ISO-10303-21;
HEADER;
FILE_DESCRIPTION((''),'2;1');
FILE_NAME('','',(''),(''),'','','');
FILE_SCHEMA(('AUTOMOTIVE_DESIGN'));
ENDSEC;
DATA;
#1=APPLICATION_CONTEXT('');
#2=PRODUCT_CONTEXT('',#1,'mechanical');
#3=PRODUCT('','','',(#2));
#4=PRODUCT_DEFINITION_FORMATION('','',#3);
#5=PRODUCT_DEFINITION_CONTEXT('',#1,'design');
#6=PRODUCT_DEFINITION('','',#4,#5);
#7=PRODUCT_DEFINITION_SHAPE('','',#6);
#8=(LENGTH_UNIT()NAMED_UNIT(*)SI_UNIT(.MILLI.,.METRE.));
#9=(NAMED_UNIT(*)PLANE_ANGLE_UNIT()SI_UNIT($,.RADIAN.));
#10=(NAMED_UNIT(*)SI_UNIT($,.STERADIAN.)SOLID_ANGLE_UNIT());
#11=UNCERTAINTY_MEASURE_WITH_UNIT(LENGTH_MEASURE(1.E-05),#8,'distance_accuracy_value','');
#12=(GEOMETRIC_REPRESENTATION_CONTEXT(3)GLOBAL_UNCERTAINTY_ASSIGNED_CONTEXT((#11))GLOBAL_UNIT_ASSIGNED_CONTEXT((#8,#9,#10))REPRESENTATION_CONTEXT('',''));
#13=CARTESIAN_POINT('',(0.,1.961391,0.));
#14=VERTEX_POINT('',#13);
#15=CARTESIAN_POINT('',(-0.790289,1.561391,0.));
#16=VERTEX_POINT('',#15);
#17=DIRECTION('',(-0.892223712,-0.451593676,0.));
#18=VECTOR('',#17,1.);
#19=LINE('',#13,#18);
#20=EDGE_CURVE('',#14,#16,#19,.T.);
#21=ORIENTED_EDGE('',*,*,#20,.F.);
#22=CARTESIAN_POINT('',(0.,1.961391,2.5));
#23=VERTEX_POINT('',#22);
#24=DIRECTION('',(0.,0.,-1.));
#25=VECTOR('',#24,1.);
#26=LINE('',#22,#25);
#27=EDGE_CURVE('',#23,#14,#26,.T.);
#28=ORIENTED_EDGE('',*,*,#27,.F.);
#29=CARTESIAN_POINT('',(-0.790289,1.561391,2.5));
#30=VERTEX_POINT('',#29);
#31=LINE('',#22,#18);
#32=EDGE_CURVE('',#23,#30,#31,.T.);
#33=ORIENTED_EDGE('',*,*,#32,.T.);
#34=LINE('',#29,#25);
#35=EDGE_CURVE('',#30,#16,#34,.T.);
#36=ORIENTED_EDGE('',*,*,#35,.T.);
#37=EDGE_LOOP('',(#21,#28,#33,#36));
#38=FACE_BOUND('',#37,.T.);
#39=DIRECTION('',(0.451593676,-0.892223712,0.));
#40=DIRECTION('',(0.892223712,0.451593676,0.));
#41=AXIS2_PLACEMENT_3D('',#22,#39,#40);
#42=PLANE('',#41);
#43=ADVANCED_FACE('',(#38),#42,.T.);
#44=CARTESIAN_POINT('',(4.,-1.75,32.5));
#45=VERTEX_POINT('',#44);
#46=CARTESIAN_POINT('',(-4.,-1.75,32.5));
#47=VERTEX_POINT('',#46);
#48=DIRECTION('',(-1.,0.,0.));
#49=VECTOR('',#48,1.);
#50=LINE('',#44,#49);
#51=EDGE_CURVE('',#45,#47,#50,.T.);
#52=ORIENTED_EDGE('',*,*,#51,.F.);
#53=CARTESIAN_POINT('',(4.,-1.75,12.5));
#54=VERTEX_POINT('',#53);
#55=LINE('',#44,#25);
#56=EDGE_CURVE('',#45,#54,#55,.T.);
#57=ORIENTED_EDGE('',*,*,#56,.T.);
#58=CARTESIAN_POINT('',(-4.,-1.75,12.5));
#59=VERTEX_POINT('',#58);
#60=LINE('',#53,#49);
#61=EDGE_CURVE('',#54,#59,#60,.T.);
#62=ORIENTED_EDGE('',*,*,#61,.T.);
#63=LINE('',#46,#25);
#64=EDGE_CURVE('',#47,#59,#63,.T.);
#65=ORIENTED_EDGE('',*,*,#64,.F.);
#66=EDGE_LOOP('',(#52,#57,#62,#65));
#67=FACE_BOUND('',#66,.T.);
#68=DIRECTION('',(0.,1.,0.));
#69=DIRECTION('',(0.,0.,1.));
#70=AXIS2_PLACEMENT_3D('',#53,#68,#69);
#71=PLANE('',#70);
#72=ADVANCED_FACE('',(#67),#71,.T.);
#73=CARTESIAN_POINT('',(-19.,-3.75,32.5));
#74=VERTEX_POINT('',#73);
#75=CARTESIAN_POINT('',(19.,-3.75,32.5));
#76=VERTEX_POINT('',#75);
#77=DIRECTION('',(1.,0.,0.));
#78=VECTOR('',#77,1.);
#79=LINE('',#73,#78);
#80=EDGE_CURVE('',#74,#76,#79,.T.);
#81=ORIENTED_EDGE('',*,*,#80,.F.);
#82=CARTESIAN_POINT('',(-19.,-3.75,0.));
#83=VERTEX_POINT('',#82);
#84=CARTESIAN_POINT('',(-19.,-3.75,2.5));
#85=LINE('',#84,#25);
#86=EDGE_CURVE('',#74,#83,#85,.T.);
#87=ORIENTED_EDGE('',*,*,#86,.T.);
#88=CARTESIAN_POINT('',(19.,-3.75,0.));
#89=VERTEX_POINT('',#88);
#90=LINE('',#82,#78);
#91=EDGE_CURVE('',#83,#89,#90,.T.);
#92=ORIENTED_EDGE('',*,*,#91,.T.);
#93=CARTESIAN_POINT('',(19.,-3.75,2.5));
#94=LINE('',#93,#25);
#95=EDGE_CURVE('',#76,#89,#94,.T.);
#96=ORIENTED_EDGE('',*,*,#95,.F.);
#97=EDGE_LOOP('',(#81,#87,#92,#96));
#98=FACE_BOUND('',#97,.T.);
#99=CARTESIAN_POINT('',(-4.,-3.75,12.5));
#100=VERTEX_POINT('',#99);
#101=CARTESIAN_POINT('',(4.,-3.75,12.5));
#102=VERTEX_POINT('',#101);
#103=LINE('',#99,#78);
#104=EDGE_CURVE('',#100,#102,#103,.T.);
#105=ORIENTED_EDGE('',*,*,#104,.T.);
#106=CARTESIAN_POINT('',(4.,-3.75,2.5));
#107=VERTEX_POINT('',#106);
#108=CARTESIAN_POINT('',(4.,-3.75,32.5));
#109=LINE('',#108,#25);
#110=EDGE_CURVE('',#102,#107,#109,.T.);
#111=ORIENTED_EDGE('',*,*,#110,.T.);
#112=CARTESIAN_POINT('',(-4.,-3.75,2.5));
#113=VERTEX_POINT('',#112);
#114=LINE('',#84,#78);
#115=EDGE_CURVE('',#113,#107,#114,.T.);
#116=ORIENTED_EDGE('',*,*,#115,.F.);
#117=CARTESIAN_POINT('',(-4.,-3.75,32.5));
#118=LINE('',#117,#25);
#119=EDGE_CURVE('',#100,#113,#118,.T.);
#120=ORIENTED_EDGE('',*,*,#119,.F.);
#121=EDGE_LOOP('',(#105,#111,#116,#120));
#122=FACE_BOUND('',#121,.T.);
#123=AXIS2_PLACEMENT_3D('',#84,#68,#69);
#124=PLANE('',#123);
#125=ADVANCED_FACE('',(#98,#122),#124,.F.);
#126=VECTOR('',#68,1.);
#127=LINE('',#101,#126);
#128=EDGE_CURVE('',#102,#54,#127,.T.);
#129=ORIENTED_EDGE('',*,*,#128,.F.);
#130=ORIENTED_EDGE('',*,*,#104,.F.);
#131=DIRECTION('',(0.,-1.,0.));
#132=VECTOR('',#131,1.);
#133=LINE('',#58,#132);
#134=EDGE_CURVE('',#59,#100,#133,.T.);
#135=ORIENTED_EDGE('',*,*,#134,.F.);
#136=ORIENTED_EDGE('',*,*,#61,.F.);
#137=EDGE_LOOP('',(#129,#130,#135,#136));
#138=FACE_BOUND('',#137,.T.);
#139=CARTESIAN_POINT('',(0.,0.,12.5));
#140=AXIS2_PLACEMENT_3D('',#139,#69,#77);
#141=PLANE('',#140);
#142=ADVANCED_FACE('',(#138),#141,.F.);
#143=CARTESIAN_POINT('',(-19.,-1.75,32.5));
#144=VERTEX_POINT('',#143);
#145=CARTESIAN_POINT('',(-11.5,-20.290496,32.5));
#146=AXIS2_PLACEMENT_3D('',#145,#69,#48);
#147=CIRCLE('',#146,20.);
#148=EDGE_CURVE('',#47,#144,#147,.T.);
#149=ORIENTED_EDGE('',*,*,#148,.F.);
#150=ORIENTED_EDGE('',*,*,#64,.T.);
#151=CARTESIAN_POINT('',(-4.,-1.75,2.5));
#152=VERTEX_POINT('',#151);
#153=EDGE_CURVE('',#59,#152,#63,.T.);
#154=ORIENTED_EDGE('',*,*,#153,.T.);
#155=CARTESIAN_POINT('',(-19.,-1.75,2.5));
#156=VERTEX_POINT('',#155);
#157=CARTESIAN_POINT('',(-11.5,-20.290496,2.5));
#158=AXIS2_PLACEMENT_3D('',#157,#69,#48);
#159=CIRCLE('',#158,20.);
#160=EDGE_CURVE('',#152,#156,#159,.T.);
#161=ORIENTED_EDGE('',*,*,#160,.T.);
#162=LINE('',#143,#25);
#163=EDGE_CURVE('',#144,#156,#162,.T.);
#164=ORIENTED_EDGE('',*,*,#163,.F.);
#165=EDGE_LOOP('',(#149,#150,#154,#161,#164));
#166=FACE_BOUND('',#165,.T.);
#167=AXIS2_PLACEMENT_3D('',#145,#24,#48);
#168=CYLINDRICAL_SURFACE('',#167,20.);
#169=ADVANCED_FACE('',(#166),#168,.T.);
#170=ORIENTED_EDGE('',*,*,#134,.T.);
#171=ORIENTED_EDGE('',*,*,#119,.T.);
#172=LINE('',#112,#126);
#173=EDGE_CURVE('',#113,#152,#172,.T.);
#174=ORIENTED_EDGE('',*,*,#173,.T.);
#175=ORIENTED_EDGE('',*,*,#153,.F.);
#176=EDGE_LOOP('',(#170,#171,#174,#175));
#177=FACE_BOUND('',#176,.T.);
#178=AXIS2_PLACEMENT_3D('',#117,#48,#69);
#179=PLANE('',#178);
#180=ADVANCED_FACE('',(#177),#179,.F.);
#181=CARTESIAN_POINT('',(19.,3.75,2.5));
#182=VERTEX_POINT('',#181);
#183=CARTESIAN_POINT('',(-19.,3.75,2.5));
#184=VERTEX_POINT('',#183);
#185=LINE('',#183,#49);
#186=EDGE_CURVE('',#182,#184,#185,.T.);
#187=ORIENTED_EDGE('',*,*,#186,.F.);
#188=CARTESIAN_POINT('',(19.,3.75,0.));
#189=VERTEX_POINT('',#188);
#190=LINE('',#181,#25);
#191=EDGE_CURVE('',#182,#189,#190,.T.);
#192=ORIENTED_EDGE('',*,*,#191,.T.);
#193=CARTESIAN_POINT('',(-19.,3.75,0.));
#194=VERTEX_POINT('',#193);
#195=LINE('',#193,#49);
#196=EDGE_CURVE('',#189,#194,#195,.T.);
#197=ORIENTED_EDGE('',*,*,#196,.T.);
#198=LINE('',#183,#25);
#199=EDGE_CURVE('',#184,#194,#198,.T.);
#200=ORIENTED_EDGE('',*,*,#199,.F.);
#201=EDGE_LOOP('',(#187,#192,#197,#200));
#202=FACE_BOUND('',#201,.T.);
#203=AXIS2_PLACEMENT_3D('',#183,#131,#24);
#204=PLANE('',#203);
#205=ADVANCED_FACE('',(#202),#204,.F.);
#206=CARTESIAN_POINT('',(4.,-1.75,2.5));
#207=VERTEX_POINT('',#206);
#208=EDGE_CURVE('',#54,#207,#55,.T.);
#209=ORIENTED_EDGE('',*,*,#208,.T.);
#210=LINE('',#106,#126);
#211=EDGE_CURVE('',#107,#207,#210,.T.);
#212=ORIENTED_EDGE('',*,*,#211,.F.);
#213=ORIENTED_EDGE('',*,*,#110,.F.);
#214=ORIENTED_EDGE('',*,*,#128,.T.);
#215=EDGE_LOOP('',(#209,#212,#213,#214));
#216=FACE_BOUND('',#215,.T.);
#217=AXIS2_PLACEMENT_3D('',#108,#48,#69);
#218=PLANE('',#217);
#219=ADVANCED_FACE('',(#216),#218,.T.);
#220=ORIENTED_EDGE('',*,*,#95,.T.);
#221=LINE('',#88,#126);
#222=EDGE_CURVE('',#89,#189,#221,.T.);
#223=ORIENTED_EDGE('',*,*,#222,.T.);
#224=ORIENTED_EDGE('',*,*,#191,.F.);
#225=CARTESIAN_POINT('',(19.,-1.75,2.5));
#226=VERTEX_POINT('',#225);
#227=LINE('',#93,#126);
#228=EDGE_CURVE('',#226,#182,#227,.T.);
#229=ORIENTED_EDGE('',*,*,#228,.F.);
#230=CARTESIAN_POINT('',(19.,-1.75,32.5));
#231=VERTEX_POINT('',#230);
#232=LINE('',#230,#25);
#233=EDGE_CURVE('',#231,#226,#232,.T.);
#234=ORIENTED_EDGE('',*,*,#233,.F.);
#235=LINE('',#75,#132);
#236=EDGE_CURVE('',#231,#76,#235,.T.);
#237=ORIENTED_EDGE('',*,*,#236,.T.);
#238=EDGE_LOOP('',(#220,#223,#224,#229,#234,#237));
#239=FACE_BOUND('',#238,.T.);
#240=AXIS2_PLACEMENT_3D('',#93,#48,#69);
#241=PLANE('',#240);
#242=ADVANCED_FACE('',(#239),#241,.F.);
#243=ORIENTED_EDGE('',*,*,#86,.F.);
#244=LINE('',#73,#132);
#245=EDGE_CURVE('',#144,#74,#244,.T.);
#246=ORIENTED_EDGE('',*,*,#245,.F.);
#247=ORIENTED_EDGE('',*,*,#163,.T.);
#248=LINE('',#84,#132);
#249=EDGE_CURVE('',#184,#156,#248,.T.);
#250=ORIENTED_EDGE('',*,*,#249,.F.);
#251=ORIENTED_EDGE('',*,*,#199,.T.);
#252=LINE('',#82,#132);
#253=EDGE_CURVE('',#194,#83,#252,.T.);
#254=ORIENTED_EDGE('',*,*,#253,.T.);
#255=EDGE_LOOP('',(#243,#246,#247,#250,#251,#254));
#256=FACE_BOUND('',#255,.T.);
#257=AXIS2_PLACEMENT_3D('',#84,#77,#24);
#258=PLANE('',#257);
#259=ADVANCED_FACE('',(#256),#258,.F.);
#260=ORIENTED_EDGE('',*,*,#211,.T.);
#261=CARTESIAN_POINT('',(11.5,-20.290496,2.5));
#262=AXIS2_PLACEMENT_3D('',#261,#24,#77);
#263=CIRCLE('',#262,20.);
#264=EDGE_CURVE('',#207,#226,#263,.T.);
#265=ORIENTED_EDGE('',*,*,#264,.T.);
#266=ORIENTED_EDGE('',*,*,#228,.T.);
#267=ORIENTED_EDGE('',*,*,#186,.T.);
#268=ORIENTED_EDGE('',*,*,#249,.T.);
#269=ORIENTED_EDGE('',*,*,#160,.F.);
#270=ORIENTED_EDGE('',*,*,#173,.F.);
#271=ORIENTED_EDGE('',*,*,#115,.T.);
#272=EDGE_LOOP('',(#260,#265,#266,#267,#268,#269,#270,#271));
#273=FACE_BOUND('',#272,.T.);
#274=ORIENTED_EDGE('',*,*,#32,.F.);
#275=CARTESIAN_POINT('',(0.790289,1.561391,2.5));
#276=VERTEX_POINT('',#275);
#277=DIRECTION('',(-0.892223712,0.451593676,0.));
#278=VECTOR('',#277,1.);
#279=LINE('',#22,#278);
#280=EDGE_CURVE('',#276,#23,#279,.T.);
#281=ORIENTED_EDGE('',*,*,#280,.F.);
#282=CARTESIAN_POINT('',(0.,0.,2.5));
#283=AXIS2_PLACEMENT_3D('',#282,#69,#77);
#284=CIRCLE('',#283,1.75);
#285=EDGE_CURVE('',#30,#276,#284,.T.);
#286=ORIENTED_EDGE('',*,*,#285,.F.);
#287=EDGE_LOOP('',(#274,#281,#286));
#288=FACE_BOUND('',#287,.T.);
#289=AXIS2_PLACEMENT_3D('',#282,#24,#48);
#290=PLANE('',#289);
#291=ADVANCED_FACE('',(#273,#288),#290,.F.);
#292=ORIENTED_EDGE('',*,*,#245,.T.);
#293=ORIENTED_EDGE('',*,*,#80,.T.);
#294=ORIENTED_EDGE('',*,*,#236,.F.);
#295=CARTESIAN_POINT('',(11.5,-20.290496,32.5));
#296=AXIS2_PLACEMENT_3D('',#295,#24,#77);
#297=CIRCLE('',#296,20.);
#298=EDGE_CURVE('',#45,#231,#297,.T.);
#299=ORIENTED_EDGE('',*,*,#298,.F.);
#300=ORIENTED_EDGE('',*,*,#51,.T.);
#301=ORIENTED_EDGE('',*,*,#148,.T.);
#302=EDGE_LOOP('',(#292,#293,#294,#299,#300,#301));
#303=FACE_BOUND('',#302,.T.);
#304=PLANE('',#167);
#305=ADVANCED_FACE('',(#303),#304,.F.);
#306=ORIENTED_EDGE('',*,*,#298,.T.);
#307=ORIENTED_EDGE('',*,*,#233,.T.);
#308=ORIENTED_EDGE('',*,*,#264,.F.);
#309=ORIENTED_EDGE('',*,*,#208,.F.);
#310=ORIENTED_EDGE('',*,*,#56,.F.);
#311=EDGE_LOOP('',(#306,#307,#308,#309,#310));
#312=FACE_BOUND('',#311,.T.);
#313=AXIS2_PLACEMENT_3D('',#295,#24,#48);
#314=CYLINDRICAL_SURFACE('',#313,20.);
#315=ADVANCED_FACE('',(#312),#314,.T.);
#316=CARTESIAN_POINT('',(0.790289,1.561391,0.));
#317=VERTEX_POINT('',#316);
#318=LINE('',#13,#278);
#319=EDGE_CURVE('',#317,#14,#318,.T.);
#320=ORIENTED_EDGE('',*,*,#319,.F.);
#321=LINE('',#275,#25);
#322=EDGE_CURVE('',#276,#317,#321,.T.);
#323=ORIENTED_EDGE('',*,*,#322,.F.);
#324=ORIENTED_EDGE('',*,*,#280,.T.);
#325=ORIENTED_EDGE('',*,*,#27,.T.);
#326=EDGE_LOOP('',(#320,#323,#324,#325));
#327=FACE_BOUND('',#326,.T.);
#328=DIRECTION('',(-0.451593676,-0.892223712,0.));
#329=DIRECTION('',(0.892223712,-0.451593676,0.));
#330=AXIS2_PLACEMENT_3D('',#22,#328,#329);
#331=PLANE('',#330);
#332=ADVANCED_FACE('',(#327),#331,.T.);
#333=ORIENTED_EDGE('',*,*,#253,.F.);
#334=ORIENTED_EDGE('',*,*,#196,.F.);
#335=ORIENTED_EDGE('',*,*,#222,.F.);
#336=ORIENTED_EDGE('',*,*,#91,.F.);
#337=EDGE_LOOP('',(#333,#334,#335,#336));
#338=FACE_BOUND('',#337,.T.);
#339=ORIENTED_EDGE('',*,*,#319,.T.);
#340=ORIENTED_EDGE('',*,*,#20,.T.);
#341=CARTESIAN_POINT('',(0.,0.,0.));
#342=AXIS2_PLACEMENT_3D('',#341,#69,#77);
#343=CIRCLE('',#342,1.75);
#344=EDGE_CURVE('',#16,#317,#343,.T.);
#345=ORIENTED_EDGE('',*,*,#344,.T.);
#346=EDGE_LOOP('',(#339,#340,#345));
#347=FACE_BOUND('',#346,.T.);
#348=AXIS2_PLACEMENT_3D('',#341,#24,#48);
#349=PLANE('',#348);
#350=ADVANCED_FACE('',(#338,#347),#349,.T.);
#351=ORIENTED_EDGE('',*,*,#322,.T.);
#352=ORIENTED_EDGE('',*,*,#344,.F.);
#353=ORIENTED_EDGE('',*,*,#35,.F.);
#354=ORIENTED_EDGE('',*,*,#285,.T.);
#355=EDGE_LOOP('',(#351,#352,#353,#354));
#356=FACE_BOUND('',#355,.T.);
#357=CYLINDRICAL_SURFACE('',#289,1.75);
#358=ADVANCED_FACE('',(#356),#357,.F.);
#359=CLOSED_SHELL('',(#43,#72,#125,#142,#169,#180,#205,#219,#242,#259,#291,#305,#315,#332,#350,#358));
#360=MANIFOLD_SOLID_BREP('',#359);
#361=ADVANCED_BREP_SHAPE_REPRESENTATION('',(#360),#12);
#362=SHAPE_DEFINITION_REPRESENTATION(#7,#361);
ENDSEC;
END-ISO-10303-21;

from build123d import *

# Parameters (mm, degrees)
SKETCH1_W           = 38
SKETCH1_H           = 7.5
BOSS_EXTRUDE1_DEPTH = 2.5
BOSS_EXTRUDE5_DEPTH = 30
SKETCH7_W           = 8
SKETCH7_H           = 2
BOSS_EXTRUDE6_DEPTH = 20


with BuildPart() as part:
    # Sketch1 → Boss-Extrude1 (new body)
    with BuildSketch(Plane.XY):
        Rectangle(SKETCH1_W, SKETCH1_H)
        with BuildLine():
            Line((0, 1.961391495), (0.790288933, 1.561391495))
            ThreePointArc((0.790288933, 1.561391495), (0, -1.75), (-0.790288933, 1.561391495))
            Line((-0.790288933, 1.561391495), (0, 1.961391495))
        make_face(mode=Mode.SUBTRACT)
    extrude(amount=BOSS_EXTRUDE1_DEPTH)

    # Sketch6 → Boss-Extrude5 (add)
    with BuildSketch(Plane.XY.offset(2.5)):
        with BuildLine():
            Line((-19, -3.75), (-19, -1.75))
            ThreePointArc((-19, -1.75), (-11.5, -0.290496218), (-4, -1.75))
            Line((-4, -1.75), (-4, -3.75))
            Line((-4, -3.75), (-19, -3.75))
        make_face()
    boss_extrude5 = extrude(amount=BOSS_EXTRUDE5_DEPTH)

    # Mirror1: Boss-Extrude5 across plane
    add(boss_extrude5.mirror(Plane(origin=(0, 0, 0), x_dir=(0, 0, 1), z_dir=(1, 0, 0))))

    # Sketch7 → Boss-Extrude6 (add)
    with BuildSketch(Plane.XY.offset(32.5)):
        with Locations((0, -2.75)):
            Rectangle(SKETCH7_W, SKETCH7_H)
    extrude(amount=-BOSS_EXTRUDE6_DEPTH)


solid = part.part
